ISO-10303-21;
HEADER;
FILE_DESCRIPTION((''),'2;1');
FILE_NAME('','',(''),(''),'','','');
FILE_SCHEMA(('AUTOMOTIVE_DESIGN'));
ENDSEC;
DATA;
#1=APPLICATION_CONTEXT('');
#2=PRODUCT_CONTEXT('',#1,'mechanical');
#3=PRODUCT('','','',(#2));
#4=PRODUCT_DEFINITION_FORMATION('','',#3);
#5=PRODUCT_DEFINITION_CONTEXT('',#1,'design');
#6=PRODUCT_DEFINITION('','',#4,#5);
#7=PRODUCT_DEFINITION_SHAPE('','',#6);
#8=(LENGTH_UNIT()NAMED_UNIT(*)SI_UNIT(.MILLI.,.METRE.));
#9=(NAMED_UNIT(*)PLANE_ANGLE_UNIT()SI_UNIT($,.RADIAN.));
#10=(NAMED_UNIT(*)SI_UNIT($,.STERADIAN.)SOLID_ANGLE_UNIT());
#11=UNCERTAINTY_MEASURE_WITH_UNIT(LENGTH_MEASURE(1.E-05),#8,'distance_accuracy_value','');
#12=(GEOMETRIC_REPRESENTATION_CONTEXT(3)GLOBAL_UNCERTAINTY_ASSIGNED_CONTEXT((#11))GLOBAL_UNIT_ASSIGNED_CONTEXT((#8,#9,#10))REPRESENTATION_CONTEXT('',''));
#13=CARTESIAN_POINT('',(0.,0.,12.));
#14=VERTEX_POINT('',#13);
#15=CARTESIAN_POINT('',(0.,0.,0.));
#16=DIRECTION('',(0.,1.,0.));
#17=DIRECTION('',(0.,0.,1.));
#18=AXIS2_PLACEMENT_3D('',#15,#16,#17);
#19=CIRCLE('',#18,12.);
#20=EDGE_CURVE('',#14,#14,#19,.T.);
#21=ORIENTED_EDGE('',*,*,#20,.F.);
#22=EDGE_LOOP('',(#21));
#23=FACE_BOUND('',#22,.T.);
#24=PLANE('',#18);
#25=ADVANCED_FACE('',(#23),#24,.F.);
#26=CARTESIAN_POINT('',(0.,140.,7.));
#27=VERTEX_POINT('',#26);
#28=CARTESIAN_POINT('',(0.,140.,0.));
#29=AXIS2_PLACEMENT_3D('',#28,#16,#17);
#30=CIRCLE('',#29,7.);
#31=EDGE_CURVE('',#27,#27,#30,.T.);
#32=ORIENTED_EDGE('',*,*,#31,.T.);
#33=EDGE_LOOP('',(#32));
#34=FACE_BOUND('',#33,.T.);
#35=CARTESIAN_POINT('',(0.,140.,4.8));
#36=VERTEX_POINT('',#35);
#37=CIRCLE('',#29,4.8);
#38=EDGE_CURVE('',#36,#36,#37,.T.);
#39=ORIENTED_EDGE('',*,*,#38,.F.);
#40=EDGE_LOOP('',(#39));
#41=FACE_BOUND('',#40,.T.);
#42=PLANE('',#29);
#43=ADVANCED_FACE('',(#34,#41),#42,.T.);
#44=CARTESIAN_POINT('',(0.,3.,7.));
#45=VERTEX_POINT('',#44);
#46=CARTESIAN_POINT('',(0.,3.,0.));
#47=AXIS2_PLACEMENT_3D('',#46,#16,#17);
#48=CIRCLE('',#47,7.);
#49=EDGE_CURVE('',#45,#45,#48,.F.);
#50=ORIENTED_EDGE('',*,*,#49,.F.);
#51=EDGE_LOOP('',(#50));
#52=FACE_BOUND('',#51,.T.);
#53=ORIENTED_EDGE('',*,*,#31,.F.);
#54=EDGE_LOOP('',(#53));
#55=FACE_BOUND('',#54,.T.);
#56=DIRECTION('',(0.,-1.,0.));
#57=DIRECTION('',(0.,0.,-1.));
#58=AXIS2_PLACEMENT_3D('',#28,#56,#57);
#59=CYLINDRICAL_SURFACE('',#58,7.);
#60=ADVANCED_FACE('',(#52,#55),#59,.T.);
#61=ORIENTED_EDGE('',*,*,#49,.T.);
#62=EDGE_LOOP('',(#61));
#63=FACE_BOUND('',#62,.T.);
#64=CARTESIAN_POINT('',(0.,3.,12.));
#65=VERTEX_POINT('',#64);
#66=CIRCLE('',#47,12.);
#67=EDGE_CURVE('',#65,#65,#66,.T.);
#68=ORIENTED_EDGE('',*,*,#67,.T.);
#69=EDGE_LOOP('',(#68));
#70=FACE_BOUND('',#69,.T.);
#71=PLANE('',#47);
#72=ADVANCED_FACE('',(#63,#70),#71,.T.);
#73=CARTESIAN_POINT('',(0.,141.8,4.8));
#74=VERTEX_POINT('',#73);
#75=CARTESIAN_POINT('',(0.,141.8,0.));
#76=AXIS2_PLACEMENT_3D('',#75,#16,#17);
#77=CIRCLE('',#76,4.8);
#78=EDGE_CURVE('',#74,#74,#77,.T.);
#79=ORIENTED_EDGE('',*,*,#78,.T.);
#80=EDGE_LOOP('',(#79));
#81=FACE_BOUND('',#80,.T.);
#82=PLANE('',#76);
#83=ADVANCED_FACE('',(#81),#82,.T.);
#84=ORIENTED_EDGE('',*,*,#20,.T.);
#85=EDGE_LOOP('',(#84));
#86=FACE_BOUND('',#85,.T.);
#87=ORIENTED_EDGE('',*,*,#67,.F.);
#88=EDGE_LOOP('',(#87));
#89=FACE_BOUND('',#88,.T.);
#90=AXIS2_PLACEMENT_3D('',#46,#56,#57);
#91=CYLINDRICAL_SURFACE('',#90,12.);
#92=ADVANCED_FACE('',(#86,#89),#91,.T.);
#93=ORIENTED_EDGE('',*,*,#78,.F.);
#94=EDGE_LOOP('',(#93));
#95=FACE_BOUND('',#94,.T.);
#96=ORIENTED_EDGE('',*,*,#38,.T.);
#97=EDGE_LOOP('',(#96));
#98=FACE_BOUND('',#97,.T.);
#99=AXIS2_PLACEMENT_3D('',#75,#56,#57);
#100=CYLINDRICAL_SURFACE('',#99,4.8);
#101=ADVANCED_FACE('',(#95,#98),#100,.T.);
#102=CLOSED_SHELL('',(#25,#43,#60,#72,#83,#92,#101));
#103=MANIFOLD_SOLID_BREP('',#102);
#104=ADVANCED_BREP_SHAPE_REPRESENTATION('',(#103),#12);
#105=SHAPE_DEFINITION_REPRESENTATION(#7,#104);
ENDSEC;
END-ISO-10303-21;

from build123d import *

# Parameters (mm, degrees)
SKETCH1_R         = 12
FOOT_FLANGE_DEPTH = 3
SKETCH2_R         = 7
LEG_DEPTH         = 140
SPIGOT_START      = 140
SKETCH3_R         = 4.8
SPIGOT_DEPTH      = 1.8


with BuildPart() as part:
    # Sketch1 → Foot_Flange (new body)
    with BuildSketch(Plane(origin=(0, 0, 0), x_dir=(1, 0, 0), z_dir=(0, 1, 0))):
        with Locations(Location((0, 0, 0), (0, 0, 270))):
            Circle(SKETCH1_R)
    extrude(amount=FOOT_FLANGE_DEPTH)

    # Sketch2 → Leg (add)
    with BuildSketch(Plane(origin=(0, 0, 0), x_dir=(1, 0, 0), z_dir=(0, 1, 0))):
        with Locations(Location((0, 0, 0), (0, 0, 270))):
            Circle(SKETCH2_R)
    extrude(amount=LEG_DEPTH)

    # Sketch3 → Spigot (add)
    with BuildSketch(Plane(origin=(0, 0, 0), x_dir=(1, 0, 0), z_dir=(0, 1, 0)).offset(SPIGOT_START)):
        with Locations(Location((0, 0, 0), (0, 0, 270))):
            Circle(SKETCH3_R)
    extrude(amount=SPIGOT_DEPTH)


solid = part.part
